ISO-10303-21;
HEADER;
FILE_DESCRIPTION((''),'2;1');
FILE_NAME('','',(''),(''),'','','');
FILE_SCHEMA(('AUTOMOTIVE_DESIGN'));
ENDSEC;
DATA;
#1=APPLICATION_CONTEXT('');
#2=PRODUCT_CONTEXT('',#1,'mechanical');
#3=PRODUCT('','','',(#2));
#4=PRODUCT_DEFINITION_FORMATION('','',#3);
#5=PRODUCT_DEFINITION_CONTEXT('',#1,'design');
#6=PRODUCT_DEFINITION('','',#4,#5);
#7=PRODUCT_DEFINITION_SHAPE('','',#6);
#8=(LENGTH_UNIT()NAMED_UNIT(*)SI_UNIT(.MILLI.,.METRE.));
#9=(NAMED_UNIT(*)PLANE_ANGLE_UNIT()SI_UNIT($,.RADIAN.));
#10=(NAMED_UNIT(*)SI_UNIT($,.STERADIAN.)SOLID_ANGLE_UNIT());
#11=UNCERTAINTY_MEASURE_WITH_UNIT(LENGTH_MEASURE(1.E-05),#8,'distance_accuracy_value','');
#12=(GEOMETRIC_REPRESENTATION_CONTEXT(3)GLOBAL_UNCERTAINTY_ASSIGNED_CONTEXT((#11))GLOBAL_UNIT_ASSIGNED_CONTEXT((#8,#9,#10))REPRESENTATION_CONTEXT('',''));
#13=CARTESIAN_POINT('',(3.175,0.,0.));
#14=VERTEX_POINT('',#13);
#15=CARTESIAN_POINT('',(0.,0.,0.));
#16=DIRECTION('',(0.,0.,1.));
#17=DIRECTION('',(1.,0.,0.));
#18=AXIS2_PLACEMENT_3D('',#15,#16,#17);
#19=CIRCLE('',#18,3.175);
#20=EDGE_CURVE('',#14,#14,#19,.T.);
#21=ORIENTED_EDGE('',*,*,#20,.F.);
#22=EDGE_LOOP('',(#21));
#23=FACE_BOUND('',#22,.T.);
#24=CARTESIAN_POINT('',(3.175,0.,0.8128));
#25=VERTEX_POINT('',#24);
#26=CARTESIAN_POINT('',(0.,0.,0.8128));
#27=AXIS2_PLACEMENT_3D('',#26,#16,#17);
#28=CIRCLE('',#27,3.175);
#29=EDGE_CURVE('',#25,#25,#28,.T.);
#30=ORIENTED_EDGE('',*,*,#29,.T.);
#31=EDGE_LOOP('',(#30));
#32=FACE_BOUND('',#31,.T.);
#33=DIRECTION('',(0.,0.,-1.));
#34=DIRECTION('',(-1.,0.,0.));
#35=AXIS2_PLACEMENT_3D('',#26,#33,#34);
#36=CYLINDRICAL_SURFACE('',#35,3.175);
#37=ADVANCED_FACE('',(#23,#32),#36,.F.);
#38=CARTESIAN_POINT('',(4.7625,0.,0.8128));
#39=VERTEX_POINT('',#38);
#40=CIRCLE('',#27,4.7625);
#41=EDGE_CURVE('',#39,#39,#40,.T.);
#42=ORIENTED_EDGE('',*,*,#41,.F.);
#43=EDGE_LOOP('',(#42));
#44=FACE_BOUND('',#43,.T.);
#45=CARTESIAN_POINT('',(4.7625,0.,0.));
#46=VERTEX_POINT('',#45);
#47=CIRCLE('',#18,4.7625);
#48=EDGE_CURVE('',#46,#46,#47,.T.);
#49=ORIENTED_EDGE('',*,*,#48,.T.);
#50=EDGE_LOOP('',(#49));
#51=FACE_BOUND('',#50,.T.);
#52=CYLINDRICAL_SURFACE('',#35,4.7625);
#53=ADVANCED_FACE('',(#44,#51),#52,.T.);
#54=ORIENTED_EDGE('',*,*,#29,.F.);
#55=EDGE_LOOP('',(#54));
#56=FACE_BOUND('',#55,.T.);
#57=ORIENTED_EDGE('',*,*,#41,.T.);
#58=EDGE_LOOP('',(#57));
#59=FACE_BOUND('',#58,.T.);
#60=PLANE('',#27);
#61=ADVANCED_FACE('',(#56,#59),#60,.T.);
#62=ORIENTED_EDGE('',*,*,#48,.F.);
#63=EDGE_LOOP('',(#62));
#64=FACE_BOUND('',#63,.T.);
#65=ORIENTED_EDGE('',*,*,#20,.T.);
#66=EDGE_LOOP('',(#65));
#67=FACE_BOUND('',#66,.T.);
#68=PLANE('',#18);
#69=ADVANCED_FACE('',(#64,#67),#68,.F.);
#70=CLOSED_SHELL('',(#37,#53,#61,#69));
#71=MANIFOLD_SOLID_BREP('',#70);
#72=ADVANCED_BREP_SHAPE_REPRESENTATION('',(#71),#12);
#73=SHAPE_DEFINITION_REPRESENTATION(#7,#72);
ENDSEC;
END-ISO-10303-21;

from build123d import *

# Parameters (mm, degrees)
SKETCH1_R           = 4.7625
SKETCH1_R_2         = 3.175
BOSS_EXTRUDE1_DEPTH = 0.8128


with BuildPart() as part:
    # Sketch1 → Boss-Extrude1 (new body)
    with BuildSketch(Plane.XY):
        Circle(SKETCH1_R)
        Circle(SKETCH1_R_2, mode=Mode.SUBTRACT)
    extrude(amount=BOSS_EXTRUDE1_DEPTH)


solid = part.part
